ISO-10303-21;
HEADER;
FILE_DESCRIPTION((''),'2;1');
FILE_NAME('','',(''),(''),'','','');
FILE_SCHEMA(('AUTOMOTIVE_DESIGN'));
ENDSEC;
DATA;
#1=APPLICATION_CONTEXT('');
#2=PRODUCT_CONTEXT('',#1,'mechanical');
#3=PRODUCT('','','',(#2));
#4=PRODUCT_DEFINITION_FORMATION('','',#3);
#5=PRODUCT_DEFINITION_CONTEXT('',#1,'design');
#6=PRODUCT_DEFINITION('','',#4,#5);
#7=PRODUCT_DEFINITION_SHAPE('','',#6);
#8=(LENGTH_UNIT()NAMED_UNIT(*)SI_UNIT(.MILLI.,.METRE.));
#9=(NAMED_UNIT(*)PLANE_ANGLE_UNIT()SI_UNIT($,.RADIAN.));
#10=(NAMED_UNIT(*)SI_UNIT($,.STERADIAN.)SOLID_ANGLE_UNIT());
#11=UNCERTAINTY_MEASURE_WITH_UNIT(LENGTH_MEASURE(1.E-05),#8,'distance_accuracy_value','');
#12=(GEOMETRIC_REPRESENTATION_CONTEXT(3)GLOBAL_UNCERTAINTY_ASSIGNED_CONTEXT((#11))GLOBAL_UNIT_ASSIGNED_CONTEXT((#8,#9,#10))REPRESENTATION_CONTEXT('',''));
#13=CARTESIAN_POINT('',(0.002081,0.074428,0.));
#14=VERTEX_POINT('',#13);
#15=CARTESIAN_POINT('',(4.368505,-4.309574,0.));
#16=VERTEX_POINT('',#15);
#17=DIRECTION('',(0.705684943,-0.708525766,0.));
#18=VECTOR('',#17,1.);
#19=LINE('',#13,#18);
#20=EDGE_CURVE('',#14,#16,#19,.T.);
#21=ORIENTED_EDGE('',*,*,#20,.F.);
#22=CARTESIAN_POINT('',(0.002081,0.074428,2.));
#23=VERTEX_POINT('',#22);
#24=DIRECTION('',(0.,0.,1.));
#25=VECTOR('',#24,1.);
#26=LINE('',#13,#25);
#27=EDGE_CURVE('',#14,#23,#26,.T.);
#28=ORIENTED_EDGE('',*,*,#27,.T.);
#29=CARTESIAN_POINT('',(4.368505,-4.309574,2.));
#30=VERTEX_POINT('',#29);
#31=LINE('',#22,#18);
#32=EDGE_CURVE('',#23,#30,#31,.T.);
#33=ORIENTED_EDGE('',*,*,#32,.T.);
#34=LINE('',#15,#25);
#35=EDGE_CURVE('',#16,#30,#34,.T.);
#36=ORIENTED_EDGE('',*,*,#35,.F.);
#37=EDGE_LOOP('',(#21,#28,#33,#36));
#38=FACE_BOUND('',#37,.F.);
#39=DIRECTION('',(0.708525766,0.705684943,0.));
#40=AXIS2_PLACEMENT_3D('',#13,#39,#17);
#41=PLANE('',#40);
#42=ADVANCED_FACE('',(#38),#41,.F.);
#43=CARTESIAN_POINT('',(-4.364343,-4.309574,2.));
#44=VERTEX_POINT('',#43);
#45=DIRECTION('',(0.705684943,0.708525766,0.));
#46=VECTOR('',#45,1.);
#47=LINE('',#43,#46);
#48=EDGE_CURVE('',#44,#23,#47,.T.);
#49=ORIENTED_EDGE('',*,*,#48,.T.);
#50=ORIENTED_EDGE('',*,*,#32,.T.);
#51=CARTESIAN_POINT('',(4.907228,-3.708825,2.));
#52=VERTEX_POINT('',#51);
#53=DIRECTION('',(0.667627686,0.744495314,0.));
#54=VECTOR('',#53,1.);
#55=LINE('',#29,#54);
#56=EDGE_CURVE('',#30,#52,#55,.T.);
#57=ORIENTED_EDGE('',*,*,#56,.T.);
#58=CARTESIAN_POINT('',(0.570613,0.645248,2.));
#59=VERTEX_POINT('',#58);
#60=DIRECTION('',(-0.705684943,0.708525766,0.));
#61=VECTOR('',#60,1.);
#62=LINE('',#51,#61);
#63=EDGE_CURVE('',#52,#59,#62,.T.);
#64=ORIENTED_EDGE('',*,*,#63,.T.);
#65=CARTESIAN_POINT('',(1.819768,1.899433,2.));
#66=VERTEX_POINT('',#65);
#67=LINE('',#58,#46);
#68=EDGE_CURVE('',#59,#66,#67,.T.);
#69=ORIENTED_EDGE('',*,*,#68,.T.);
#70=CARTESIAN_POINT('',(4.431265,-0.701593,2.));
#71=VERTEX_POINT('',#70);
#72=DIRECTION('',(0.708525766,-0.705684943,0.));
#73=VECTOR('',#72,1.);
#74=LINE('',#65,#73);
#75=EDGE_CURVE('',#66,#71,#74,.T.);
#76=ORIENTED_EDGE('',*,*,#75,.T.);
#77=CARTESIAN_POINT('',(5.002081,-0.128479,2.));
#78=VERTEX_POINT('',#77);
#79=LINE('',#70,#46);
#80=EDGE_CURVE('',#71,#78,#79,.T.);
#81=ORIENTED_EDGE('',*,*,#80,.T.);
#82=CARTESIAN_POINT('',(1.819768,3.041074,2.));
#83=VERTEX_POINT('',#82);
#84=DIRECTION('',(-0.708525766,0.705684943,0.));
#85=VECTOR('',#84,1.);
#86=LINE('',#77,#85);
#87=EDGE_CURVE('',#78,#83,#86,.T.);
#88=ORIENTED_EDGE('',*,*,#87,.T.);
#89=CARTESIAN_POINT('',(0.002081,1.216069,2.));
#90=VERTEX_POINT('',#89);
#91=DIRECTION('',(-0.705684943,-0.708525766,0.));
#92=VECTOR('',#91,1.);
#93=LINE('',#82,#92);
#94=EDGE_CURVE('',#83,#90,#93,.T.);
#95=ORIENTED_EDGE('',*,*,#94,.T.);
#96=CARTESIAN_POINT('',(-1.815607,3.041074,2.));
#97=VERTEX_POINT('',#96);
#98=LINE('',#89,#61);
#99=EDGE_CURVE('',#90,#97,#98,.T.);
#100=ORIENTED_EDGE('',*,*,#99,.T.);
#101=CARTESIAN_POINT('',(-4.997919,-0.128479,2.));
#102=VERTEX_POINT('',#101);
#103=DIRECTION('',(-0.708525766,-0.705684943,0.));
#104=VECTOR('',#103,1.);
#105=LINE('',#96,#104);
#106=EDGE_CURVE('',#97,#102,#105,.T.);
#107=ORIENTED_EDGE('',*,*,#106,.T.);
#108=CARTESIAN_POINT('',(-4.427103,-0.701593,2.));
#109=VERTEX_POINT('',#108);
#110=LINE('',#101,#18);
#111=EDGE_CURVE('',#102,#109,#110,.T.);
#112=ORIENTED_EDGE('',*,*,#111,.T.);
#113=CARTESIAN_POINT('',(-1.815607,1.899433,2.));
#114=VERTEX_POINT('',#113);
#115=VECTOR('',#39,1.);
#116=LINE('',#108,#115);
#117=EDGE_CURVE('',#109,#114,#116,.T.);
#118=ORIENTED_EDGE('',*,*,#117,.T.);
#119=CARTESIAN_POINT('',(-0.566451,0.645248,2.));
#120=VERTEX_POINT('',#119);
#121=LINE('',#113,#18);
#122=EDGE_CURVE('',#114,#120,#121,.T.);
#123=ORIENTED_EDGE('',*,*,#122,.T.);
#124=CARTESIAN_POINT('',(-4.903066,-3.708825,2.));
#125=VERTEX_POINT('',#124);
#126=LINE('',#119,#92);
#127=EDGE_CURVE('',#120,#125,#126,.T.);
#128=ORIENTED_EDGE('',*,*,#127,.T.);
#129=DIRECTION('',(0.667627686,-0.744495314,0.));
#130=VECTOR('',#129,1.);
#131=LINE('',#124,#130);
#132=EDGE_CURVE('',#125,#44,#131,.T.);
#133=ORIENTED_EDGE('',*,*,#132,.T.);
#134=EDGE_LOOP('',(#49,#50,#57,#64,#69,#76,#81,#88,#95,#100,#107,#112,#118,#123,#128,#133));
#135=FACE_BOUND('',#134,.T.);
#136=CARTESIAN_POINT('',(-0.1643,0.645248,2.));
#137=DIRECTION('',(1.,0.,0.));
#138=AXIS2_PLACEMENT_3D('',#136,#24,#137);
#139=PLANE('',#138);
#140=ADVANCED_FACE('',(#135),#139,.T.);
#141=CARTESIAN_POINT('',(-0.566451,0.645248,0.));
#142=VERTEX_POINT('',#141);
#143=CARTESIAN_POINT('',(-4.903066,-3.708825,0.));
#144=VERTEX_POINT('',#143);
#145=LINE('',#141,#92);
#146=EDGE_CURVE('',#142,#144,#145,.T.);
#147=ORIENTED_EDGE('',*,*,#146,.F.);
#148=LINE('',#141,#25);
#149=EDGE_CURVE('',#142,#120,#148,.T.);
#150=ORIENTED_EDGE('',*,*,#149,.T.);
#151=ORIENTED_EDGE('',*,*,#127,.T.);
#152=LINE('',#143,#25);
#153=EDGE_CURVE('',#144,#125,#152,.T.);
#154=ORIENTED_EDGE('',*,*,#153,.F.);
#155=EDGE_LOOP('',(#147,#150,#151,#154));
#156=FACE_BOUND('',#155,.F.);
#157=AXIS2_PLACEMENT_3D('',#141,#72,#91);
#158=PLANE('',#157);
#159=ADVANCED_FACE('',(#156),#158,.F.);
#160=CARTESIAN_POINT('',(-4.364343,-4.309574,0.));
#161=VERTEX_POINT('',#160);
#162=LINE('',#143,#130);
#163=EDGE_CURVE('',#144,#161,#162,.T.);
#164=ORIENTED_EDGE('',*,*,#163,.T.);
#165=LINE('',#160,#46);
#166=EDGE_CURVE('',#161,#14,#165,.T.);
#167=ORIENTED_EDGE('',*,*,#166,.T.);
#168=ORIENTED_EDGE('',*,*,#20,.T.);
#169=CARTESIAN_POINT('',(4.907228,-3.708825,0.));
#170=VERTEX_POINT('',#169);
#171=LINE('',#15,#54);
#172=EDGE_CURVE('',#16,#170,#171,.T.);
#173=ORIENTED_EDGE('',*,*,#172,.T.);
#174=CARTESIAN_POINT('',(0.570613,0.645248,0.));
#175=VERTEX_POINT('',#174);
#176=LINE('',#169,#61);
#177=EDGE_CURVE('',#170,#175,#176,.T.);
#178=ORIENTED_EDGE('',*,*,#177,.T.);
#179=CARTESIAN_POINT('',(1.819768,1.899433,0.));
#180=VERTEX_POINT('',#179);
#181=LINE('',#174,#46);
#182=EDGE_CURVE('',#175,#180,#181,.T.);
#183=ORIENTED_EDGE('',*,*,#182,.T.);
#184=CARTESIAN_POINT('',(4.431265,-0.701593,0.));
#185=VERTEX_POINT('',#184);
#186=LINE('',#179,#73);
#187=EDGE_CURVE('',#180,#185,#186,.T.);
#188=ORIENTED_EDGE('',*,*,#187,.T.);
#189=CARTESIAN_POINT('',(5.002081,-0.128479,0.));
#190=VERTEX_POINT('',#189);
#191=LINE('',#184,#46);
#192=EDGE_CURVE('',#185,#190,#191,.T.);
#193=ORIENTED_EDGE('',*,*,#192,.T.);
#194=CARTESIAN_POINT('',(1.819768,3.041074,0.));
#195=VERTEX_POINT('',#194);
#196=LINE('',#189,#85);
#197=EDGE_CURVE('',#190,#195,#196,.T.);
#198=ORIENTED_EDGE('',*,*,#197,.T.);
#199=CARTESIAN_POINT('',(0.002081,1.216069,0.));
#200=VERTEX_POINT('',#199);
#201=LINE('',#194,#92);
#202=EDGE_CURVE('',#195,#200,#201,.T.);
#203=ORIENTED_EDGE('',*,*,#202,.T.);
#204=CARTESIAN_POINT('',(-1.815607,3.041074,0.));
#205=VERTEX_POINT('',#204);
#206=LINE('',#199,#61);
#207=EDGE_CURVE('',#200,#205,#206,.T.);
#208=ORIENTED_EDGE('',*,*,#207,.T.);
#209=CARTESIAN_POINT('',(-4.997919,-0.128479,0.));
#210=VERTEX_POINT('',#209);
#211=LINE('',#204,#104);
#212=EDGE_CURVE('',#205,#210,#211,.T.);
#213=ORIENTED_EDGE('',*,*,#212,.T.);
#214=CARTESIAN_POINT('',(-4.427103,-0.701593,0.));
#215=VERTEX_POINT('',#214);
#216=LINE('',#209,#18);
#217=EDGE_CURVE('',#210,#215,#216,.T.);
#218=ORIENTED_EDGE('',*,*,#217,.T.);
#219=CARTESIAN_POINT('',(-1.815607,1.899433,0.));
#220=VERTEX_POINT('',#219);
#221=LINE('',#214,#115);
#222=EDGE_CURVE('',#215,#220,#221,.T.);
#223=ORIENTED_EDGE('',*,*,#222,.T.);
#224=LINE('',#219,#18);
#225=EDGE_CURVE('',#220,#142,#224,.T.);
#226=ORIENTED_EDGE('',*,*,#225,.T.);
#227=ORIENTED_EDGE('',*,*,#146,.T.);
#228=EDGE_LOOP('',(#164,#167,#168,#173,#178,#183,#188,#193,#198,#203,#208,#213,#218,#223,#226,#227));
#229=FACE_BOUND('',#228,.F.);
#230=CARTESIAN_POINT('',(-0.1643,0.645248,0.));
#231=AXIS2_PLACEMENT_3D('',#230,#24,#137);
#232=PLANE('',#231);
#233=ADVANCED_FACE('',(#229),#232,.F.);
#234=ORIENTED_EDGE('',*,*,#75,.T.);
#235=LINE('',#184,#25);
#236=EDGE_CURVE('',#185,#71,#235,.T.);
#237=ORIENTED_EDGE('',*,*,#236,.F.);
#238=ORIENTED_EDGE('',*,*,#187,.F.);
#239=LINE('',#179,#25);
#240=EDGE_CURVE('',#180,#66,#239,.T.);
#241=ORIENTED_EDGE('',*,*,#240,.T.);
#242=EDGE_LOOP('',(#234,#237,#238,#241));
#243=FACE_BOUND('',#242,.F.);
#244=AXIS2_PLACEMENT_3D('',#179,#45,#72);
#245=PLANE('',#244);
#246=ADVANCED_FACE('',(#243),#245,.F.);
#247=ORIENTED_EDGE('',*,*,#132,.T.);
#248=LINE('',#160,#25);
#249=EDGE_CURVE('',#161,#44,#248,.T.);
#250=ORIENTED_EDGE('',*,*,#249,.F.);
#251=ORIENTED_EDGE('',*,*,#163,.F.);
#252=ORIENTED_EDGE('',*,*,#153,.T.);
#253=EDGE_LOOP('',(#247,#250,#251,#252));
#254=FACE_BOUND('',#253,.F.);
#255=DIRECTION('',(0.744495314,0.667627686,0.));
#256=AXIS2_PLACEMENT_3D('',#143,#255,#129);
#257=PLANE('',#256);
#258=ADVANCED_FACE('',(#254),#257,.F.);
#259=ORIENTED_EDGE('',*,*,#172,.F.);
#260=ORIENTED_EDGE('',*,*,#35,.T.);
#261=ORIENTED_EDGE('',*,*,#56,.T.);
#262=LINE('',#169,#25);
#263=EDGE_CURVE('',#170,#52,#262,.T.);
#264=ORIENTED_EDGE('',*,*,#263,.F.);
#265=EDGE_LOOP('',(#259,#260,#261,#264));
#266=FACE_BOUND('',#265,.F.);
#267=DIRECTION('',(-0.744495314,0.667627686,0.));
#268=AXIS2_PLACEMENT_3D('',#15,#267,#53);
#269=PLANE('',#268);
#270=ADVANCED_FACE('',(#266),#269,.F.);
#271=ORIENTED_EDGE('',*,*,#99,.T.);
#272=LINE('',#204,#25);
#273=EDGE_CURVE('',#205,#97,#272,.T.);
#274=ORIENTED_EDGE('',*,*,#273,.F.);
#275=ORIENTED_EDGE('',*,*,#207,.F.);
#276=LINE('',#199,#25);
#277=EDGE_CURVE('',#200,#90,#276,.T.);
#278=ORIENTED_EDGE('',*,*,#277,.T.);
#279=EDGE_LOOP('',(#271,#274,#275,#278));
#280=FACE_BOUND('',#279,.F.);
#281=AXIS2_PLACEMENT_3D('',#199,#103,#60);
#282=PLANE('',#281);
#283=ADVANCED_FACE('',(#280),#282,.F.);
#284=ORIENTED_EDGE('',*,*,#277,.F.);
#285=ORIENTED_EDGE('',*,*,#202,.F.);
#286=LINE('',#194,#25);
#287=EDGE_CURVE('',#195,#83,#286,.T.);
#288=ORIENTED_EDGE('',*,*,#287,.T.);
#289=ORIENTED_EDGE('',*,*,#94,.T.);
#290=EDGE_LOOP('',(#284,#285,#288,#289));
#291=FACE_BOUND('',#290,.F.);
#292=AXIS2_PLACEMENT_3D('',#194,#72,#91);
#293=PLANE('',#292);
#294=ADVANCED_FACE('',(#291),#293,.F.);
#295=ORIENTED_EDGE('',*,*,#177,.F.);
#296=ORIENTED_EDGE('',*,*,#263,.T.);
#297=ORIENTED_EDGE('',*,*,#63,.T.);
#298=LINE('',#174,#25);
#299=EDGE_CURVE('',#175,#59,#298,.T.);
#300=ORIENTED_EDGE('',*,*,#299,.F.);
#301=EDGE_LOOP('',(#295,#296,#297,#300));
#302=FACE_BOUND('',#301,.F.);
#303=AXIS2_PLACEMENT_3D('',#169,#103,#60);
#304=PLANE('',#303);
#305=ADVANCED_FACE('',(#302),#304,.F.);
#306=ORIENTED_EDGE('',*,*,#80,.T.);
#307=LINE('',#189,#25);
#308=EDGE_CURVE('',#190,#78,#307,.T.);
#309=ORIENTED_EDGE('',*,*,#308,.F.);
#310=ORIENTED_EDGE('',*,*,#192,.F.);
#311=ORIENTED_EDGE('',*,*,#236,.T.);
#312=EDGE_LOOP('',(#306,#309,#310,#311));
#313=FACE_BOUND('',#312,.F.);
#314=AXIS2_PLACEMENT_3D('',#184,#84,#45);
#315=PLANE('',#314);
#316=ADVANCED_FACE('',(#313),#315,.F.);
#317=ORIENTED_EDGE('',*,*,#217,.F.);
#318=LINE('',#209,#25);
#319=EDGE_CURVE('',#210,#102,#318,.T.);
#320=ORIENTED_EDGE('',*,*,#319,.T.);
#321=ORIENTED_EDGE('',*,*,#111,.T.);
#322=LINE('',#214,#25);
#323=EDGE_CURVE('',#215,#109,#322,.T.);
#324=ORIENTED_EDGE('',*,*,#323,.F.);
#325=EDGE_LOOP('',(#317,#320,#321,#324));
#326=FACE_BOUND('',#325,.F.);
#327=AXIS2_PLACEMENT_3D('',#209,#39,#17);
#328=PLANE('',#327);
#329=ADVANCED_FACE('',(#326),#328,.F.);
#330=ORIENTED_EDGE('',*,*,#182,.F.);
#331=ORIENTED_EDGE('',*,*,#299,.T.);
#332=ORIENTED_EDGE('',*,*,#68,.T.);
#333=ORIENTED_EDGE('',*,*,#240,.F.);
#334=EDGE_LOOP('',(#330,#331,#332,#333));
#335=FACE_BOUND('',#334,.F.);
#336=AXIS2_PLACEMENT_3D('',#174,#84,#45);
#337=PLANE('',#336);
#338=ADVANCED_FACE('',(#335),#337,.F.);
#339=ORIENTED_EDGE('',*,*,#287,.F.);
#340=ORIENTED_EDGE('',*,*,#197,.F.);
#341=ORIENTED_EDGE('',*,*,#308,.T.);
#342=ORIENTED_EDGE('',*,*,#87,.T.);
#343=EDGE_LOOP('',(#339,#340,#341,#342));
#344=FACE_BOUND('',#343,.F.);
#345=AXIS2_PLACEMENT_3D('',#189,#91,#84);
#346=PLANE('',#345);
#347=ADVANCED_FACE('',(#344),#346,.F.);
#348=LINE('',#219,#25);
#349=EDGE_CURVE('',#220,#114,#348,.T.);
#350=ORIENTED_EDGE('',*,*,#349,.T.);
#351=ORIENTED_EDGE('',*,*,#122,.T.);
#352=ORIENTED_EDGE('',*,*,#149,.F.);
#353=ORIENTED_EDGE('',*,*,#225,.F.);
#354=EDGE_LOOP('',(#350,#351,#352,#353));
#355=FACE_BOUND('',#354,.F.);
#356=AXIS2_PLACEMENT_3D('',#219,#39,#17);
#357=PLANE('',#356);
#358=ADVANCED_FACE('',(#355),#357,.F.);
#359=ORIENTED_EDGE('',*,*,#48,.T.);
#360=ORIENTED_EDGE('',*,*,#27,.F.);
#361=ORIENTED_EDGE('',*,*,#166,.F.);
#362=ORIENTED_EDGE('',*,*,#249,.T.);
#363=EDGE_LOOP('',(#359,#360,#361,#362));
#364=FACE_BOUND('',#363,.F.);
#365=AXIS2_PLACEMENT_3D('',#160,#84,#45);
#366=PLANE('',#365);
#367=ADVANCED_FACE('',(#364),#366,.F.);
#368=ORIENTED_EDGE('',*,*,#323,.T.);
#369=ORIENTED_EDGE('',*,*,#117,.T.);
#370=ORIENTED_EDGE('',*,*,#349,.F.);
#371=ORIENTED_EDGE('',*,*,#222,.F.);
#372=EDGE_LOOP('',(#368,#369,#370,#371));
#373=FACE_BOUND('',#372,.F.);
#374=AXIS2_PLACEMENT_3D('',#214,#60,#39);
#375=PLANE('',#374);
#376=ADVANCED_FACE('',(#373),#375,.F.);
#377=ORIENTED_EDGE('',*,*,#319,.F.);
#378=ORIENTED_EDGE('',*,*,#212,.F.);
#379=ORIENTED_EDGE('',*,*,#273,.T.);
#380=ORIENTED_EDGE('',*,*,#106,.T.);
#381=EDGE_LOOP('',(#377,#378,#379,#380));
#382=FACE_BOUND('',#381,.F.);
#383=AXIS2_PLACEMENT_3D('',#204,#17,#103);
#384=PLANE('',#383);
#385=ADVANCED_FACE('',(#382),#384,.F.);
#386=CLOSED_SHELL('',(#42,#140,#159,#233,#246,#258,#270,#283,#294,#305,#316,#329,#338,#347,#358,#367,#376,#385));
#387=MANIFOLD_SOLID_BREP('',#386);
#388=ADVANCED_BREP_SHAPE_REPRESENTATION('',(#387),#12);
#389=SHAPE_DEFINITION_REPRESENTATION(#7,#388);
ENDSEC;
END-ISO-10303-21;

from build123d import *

# Parameters (mm, degrees)
F1_DEPTH = 2


with BuildPart() as f1:
    # F0 (on Top) → F1 (new body)
    with BuildSketch(Plane.XY):
        Polygon((0.0020809008, 0.0744279957), (0.0020809008, 1.2160689281), (-0.5664508691, 0.6452484619), align=None)
        Polygon((0.5706126707, 0.6452484619), (0.0020809008, 1.2160689281), (0.0020809008, 0.0744279957), align=None)
        Polygon((-0.5664508691, 0.6452484619), (0.0020809008, 1.2160689281), (-1.8156066978, 3.0410738575), (-4.9979190992, -0.1284791085), (-4.4271032396, -0.7015928593), (-1.8156066978, 1.8994329251), align=None)
        Polygon((1.8197684995, 3.0410738575), (0.0020809008, 1.2160689281), (0.5706126707, 0.6452484619), (1.8197684995, 1.8994329251), (4.4312650413, -0.7015928593), (5.0020809008, -0.1284791085), align=None)
        Polygon((0.0020809008, 0.0744279957), (-0.5664508691, 0.6452484619), (-4.9030662725, -3.7088245339), (-4.3643432213, -4.3095737176), align=None)
        Polygon((0.5706126707, 0.6452484619), (0.0020809008, 0.0744279957), (4.3685050229, -4.3095737176), (4.9072280741, -3.7088245339), align=None)
    extrude(amount=F1_DEPTH)


solid = f1.part
